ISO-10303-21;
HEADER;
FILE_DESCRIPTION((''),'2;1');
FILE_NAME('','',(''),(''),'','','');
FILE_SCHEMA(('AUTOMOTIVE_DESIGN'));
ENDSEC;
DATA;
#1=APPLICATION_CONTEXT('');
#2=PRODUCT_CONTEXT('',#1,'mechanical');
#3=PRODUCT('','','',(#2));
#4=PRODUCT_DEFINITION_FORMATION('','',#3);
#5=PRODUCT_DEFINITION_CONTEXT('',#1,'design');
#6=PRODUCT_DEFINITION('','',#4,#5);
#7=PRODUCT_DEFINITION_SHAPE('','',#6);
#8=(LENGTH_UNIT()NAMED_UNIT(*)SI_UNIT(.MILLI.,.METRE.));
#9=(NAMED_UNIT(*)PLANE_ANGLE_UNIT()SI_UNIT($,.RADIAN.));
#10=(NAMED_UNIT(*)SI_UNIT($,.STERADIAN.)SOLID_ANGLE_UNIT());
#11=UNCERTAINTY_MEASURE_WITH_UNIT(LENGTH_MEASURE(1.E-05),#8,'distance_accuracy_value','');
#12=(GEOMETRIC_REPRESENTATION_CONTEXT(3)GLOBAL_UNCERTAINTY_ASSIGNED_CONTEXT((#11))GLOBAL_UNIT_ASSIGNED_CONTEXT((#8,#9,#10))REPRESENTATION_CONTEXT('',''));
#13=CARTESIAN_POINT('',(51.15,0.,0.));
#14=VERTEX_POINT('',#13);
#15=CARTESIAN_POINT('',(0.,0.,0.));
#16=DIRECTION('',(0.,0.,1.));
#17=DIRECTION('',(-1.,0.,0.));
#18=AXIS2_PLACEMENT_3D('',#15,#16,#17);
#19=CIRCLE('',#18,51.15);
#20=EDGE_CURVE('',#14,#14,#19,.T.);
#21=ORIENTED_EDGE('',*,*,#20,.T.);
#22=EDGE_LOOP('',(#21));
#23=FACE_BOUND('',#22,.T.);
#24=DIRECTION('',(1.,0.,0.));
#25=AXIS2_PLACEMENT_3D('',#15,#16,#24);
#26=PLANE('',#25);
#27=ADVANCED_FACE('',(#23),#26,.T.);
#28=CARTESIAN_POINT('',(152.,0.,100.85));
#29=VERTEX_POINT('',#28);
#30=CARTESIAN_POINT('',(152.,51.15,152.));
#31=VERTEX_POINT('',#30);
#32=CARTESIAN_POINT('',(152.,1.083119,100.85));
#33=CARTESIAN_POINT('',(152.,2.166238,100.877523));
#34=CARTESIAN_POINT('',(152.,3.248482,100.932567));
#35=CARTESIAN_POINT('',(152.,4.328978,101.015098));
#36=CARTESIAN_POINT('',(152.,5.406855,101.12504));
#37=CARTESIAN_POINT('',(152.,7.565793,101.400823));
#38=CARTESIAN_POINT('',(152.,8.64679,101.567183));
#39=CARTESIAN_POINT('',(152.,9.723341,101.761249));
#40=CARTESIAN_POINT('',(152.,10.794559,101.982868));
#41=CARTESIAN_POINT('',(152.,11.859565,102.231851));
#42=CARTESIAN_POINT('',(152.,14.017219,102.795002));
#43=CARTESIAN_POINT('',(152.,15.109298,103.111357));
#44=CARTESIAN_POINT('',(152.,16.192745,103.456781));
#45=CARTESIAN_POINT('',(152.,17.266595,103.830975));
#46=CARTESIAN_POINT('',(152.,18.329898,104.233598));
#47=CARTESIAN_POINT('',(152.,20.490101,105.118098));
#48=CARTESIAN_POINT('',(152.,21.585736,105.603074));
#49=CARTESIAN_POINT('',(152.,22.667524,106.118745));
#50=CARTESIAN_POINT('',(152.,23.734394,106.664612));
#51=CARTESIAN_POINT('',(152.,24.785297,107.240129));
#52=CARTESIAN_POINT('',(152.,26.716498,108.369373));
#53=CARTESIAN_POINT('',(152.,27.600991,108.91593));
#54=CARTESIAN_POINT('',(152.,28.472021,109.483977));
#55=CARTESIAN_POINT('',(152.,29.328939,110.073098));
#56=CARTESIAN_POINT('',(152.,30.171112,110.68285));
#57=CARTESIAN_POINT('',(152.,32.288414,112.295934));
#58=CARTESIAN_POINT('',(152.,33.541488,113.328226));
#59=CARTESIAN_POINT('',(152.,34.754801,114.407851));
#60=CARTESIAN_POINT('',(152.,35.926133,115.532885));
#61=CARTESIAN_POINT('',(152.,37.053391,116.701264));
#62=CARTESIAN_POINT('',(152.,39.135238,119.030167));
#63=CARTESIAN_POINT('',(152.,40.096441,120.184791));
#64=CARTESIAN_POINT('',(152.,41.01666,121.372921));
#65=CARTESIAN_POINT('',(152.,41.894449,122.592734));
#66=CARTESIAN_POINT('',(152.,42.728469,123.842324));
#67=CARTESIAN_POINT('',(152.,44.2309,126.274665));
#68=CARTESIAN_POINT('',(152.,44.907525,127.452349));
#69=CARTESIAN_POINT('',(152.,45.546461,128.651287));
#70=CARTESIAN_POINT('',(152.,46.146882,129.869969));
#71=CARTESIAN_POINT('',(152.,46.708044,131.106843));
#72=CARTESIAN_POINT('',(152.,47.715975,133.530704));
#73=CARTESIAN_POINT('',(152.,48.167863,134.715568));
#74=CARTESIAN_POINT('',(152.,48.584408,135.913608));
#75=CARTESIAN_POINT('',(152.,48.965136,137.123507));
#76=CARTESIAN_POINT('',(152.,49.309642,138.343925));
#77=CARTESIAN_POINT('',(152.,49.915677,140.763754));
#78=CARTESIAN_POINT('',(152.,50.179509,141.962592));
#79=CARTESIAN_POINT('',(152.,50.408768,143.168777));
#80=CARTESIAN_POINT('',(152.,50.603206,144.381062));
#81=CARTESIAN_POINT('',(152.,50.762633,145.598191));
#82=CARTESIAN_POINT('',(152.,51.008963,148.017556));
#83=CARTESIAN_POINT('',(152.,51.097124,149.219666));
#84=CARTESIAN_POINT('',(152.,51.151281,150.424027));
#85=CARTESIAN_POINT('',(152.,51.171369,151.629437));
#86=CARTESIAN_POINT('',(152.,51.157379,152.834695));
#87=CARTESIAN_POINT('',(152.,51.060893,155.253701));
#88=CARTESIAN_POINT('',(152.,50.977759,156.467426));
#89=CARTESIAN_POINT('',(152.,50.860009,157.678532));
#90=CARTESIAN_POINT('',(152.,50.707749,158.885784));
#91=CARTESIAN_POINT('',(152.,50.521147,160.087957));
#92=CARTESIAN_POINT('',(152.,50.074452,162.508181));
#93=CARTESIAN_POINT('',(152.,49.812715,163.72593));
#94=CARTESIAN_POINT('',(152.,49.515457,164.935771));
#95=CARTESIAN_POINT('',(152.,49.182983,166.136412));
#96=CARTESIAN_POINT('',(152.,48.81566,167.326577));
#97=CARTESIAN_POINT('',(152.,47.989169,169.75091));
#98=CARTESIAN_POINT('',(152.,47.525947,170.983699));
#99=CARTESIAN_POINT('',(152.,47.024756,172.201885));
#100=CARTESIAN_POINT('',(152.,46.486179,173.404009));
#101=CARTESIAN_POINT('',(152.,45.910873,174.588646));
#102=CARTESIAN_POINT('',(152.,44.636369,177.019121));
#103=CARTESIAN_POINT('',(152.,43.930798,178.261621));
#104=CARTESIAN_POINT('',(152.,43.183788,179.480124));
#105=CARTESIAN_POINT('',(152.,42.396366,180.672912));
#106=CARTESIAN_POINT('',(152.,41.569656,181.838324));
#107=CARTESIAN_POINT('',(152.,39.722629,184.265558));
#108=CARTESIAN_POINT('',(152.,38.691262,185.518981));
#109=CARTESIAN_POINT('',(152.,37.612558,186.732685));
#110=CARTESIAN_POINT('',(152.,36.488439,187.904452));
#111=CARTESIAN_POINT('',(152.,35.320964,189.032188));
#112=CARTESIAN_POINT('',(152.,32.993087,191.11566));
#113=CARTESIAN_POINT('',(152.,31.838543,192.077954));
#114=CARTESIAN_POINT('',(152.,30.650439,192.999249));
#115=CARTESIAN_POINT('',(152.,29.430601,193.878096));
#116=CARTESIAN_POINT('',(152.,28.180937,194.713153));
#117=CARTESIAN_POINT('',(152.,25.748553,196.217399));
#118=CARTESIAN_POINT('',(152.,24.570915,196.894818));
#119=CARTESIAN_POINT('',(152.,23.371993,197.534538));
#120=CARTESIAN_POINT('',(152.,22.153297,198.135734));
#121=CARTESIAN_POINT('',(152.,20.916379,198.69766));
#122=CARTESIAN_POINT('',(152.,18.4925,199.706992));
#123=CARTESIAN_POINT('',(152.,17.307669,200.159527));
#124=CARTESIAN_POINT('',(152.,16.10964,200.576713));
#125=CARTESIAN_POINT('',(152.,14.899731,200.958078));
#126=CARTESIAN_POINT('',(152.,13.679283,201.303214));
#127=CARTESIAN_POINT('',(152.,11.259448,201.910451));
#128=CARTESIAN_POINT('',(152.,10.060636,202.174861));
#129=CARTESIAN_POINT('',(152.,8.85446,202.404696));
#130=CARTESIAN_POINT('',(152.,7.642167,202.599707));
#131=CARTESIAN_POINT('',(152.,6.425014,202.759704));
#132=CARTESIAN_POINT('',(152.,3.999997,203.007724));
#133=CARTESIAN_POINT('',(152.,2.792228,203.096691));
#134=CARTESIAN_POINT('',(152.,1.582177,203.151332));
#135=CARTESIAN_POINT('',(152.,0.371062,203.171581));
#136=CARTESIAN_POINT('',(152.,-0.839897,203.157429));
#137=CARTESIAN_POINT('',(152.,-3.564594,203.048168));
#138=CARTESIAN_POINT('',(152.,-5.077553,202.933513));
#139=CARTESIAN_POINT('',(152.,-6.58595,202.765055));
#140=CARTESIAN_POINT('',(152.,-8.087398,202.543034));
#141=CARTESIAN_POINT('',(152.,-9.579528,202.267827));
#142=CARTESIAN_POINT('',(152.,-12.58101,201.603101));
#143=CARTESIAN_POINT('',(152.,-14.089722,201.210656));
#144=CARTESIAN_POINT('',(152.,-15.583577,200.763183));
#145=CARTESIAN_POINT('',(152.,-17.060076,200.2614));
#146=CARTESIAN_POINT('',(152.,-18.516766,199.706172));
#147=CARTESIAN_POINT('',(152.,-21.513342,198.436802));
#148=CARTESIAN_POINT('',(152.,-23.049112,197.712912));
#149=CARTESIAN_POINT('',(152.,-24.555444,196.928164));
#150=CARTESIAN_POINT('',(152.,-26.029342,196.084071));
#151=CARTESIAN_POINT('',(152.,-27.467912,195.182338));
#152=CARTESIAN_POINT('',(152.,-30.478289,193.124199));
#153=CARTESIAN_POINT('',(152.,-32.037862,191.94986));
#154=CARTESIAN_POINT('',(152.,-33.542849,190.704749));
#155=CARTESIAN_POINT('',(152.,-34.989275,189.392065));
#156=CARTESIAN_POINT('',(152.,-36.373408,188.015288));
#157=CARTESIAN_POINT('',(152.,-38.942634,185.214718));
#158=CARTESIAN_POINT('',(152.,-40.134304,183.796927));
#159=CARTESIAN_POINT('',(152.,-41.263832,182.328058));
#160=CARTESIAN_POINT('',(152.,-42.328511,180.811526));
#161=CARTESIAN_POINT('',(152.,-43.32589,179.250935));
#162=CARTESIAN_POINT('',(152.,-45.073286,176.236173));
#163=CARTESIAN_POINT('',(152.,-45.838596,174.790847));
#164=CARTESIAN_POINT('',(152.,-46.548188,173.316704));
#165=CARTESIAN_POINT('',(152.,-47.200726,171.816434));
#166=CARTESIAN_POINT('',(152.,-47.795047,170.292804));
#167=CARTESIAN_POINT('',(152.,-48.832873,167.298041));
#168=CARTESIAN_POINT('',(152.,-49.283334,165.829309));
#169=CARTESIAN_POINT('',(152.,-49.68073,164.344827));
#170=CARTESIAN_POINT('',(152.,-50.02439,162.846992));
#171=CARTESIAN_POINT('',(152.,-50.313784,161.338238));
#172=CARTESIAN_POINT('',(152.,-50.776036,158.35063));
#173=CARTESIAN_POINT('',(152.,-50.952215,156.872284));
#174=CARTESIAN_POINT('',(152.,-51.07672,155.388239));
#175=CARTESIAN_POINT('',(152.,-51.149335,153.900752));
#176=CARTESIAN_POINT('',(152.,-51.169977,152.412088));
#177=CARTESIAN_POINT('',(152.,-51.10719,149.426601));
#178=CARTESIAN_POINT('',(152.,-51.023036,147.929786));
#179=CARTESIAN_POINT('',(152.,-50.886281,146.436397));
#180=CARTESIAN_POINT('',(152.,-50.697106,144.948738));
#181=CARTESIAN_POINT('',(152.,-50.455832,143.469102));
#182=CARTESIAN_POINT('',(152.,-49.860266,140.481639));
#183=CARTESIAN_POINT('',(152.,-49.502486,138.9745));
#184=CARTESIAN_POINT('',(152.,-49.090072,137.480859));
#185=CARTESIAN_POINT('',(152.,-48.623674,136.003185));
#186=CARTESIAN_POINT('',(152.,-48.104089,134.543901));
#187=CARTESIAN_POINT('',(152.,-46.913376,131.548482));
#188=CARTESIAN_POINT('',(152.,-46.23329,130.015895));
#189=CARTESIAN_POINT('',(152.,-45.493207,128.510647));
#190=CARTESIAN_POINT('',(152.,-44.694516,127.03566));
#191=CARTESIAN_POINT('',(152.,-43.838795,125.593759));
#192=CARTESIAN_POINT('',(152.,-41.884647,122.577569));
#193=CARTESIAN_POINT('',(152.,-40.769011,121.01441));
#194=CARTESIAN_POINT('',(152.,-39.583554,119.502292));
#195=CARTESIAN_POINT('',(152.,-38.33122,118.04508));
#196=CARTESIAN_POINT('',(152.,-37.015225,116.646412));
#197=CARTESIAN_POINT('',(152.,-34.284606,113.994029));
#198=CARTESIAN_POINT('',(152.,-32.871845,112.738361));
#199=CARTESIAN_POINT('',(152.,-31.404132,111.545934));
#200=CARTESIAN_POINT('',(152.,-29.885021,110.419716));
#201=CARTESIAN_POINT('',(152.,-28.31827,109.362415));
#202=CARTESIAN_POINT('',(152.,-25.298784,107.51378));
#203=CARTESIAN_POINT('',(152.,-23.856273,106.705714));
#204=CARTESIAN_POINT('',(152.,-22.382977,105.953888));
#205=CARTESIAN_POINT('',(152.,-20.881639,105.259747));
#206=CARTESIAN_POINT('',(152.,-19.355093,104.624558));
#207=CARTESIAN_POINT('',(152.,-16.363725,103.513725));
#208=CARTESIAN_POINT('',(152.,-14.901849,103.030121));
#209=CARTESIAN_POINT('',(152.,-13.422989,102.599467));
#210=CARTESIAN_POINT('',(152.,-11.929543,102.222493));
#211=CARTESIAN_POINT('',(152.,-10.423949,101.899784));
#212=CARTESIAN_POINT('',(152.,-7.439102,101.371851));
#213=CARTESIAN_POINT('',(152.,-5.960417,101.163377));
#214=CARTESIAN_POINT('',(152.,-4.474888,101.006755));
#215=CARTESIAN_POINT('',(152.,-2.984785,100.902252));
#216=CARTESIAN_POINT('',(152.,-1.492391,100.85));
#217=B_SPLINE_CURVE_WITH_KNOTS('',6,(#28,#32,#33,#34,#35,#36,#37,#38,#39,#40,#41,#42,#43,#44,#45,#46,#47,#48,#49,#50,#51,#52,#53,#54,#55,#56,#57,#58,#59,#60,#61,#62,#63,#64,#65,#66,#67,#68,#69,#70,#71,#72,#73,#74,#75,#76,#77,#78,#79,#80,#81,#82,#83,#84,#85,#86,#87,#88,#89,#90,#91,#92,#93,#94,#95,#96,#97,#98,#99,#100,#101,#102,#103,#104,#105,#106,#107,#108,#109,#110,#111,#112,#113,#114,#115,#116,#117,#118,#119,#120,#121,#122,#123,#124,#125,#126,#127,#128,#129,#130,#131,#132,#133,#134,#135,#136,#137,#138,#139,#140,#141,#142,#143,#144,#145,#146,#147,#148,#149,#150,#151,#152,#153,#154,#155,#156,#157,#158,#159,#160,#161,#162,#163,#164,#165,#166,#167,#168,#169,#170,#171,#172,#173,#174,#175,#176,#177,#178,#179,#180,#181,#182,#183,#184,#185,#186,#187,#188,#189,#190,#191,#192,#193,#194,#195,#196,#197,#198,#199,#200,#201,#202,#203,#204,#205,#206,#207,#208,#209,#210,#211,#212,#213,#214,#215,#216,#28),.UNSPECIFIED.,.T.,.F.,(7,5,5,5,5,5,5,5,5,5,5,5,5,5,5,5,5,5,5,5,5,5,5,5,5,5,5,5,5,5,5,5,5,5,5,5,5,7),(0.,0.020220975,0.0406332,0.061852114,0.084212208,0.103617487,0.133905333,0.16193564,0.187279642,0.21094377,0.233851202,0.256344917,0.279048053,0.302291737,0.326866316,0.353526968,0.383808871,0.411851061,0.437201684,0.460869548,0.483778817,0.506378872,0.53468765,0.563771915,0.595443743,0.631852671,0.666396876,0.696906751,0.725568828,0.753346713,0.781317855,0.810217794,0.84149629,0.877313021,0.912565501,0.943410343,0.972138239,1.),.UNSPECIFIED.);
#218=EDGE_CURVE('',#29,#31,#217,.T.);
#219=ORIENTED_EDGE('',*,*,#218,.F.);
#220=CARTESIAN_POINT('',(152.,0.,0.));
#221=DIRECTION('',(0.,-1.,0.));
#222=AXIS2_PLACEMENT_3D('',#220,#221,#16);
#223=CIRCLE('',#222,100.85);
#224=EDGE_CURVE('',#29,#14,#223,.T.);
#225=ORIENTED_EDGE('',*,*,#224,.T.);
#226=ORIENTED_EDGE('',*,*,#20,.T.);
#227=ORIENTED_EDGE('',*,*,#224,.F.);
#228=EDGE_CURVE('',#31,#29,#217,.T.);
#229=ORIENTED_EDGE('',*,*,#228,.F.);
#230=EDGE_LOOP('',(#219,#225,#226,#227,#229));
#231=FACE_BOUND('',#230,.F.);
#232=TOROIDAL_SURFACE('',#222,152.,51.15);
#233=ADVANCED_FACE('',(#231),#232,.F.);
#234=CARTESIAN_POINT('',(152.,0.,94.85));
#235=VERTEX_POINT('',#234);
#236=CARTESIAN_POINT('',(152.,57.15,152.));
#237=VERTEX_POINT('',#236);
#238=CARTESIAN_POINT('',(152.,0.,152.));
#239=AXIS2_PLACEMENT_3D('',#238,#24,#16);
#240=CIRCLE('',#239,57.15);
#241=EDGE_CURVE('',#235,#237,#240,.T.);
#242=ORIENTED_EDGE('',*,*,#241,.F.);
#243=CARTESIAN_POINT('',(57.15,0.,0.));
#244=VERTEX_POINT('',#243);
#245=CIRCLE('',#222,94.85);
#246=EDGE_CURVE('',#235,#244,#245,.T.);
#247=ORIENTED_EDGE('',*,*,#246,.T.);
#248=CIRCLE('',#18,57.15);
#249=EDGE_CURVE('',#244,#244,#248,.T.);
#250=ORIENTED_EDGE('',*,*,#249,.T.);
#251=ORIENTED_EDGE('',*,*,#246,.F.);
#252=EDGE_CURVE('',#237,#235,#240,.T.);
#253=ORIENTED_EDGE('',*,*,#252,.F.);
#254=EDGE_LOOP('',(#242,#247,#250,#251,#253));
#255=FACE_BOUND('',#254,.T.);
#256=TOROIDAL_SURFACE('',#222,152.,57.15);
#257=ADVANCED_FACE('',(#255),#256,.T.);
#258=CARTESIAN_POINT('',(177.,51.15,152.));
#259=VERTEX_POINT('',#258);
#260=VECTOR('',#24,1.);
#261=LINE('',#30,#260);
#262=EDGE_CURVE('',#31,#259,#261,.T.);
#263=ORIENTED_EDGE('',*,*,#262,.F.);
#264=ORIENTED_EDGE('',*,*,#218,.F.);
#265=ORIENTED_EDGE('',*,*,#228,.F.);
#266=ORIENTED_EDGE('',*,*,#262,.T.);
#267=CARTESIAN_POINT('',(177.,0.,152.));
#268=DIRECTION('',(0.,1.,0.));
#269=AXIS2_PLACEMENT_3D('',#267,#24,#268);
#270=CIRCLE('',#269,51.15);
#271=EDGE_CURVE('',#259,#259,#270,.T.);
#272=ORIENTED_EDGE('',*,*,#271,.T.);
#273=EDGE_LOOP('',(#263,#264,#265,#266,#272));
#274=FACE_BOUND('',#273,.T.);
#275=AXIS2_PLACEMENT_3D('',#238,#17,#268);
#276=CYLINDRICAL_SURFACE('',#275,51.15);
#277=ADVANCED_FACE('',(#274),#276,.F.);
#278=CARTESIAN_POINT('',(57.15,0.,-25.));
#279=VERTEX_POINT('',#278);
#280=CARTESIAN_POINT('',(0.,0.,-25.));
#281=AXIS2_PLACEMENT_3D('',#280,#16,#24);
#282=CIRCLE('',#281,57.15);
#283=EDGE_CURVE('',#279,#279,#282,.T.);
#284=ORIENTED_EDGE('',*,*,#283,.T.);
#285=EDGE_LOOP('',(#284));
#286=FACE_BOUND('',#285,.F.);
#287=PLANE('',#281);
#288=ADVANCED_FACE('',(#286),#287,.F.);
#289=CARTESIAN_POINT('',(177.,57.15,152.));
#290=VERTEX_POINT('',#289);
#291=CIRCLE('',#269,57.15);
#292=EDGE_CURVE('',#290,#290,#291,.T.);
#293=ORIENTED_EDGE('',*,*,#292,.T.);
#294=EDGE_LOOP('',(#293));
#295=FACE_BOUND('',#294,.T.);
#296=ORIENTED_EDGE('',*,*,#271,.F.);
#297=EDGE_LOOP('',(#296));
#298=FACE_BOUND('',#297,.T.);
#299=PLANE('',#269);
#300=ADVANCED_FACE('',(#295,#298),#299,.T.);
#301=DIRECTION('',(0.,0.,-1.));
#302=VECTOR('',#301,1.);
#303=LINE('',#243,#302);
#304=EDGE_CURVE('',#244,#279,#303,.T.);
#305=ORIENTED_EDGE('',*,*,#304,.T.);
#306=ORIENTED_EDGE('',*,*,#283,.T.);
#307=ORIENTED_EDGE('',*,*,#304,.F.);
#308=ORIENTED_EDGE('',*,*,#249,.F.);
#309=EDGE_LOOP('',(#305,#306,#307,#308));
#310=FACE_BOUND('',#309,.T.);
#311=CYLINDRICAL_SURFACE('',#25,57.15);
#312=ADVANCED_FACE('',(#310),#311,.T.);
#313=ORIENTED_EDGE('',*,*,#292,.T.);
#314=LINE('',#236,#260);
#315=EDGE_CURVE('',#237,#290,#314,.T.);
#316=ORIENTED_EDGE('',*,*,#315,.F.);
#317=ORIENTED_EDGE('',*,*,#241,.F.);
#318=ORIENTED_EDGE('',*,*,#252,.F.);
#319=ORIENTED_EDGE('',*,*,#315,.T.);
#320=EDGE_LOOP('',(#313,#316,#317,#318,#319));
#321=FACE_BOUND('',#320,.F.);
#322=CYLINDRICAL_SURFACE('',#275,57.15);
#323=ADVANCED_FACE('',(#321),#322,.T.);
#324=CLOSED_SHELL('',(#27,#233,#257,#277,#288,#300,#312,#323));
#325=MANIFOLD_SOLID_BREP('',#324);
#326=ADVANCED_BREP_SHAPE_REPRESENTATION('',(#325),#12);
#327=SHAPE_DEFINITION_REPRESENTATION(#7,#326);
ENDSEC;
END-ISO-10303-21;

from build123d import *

# Parameters (mm, degrees)
F0_R     = 57.15
F3_T     = -6
F4_DEPTH = 25
F5_R     = 57.15
F5_R_2   = 51.15
F6_DEPTH = 25


with BuildPart() as f2:
    # F2: sweep along a path in F1
    with BuildLine(Plane.XZ) as f2_path:
        ThreePointArc((152, 152), (44.5197692596, 107.4802307404), (0, 0))
    # F0 (on Top) → F2 (sweep)
    with BuildSketch(Plane.XY):
        Circle(F0_R)
    sweep(path=f2_path.line)

    # F3
    f3_openings = [f2.faces().sort_by_distance(p)[0] for p in [
        (152, 0, 152),
        (0, 0, 0),
    ]]
    offset(amount=F3_T, openings=f3_openings, kind=Kind.INTERSECTION)

    # F0 (on Top) → F4 (join)
    with BuildSketch(Plane.XY):
        Circle(F0_R)
    extrude(amount=-F4_DEPTH)

    # F5 (on face) → F6 (join)
    with BuildSketch(Plane.YZ.offset(152)):
        with Locations((0, 152)):
            Circle(F5_R)
        with Locations((0, 152)):
            Circle(F5_R_2, mode=Mode.SUBTRACT)
    extrude(amount=F6_DEPTH)


solid = f2.part
